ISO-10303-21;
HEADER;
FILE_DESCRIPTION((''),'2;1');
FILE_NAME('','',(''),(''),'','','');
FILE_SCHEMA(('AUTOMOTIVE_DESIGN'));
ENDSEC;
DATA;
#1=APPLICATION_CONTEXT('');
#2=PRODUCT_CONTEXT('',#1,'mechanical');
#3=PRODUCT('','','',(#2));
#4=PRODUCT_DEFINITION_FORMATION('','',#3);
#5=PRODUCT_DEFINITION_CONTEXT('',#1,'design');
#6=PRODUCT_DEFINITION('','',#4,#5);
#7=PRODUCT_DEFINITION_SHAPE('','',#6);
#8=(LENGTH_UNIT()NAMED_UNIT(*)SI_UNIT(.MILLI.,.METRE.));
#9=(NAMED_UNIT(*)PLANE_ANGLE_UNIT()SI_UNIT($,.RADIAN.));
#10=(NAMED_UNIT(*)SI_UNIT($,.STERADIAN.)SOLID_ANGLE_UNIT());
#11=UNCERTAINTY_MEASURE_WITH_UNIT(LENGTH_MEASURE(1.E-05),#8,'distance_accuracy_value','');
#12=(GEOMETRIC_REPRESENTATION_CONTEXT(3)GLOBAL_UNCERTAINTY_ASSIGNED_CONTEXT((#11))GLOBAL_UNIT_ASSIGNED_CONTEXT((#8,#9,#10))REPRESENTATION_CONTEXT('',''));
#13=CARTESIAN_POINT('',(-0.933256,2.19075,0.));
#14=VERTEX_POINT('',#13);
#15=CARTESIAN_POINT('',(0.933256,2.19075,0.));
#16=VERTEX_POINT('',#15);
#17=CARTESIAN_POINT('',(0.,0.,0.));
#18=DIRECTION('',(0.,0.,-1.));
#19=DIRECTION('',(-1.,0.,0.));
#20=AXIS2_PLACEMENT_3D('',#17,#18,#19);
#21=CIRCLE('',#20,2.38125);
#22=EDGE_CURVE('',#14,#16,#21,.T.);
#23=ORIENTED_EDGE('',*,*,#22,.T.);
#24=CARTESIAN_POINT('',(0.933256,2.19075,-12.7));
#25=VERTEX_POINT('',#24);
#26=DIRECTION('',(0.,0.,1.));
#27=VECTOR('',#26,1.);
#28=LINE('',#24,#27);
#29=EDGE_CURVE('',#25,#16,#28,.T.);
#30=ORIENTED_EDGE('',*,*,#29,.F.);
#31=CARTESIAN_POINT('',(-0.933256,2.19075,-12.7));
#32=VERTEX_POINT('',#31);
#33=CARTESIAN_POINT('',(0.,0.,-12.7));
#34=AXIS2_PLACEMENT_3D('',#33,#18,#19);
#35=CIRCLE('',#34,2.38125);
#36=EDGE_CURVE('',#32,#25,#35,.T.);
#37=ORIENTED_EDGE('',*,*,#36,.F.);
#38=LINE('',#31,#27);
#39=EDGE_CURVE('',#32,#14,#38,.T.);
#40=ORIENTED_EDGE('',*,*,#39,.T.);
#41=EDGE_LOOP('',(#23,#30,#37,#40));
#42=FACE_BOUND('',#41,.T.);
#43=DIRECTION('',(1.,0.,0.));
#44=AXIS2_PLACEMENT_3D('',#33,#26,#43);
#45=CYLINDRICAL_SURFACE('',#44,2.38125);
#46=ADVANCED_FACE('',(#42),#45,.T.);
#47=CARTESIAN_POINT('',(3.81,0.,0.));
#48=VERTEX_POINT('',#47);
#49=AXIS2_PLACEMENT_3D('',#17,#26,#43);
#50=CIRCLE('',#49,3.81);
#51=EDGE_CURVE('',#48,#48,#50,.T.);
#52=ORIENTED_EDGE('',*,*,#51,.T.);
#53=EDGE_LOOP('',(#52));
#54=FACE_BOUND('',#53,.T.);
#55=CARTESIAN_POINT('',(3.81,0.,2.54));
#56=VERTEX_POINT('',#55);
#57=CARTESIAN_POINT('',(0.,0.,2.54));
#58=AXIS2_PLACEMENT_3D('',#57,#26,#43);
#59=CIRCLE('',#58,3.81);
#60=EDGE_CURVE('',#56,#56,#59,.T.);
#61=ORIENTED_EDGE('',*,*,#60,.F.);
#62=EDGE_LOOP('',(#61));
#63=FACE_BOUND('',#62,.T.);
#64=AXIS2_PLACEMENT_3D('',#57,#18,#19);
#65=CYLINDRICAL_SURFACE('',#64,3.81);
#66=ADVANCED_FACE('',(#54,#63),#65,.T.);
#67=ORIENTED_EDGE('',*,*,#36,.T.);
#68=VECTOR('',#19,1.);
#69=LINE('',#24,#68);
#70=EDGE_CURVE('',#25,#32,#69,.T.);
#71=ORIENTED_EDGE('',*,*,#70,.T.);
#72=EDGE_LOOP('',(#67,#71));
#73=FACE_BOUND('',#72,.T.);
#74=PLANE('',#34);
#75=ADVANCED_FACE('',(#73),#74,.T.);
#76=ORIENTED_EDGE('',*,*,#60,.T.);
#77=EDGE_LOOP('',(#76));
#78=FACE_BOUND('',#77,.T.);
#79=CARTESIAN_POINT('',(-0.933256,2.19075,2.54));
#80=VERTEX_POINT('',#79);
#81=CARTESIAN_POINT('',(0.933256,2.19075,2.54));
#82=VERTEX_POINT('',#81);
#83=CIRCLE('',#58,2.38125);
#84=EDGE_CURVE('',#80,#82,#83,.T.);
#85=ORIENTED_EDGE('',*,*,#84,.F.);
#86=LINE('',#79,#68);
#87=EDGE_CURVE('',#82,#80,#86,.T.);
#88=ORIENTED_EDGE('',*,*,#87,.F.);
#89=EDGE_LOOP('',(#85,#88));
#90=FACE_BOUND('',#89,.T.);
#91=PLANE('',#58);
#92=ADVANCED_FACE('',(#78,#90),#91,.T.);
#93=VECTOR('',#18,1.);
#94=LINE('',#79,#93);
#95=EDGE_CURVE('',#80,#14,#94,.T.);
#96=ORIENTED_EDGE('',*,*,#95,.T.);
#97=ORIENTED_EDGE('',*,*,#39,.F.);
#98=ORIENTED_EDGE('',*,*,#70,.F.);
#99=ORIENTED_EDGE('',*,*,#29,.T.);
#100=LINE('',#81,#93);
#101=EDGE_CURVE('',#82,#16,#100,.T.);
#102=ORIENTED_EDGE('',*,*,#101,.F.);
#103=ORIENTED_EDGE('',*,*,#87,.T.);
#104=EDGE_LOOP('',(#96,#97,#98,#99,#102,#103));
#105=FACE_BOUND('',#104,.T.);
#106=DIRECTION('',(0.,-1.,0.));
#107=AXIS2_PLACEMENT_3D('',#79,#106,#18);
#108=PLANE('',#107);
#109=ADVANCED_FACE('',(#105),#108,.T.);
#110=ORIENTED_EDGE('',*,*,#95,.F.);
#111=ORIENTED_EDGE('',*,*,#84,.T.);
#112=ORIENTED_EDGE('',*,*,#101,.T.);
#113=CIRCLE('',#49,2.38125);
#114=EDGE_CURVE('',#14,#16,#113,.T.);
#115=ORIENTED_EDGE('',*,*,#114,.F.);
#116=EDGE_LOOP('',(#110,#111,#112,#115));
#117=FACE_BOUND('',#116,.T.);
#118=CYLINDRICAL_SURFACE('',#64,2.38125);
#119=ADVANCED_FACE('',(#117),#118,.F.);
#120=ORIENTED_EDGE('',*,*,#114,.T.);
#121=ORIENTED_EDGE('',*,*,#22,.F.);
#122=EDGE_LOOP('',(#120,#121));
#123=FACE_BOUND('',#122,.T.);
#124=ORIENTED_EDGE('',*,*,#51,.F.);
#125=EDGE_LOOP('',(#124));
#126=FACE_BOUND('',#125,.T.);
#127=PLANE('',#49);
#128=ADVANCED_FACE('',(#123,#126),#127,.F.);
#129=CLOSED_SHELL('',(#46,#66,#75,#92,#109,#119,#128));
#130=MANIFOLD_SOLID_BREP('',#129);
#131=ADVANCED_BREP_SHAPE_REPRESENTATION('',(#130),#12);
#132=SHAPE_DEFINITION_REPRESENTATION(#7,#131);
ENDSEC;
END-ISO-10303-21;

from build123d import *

# Parameters (mm, degrees)
SKETCH1_R           = 3.81
BOSS_EXTRUDE1_DEPTH = 2.54
BOSS_EXTRUDE2_DEPTH = 12.7


with BuildPart() as part:
    # Sketch1 → Boss-Extrude1 (new body)
    with BuildSketch(Plane.XY):
        Circle(SKETCH1_R)
        with BuildLine():
            Line((-0.933255592, 2.19075), (0.933255592, 2.19075))
            ThreePointArc((0.933255592, 2.19075), (0, -2.38125), (-0.933255592, 2.19075))
        make_face(mode=Mode.SUBTRACT)
    extrude(amount=BOSS_EXTRUDE1_DEPTH)

    # Sketch2 → Boss-Extrude2 (add)
    with BuildSketch(Plane(origin=(0, 0, 0), x_dir=(-1, 0, 0), z_dir=(0, 0, -1))):
        with BuildLine():
            Line((-0.933255592, 2.19075), (0.933255592, 2.19075))
            ThreePointArc((0.933255592, 2.19075), (0, 2.38125), (-0.933255592, 2.19075))
        make_face()
    extrude(amount=BOSS_EXTRUDE2_DEPTH)


solid = part.part
